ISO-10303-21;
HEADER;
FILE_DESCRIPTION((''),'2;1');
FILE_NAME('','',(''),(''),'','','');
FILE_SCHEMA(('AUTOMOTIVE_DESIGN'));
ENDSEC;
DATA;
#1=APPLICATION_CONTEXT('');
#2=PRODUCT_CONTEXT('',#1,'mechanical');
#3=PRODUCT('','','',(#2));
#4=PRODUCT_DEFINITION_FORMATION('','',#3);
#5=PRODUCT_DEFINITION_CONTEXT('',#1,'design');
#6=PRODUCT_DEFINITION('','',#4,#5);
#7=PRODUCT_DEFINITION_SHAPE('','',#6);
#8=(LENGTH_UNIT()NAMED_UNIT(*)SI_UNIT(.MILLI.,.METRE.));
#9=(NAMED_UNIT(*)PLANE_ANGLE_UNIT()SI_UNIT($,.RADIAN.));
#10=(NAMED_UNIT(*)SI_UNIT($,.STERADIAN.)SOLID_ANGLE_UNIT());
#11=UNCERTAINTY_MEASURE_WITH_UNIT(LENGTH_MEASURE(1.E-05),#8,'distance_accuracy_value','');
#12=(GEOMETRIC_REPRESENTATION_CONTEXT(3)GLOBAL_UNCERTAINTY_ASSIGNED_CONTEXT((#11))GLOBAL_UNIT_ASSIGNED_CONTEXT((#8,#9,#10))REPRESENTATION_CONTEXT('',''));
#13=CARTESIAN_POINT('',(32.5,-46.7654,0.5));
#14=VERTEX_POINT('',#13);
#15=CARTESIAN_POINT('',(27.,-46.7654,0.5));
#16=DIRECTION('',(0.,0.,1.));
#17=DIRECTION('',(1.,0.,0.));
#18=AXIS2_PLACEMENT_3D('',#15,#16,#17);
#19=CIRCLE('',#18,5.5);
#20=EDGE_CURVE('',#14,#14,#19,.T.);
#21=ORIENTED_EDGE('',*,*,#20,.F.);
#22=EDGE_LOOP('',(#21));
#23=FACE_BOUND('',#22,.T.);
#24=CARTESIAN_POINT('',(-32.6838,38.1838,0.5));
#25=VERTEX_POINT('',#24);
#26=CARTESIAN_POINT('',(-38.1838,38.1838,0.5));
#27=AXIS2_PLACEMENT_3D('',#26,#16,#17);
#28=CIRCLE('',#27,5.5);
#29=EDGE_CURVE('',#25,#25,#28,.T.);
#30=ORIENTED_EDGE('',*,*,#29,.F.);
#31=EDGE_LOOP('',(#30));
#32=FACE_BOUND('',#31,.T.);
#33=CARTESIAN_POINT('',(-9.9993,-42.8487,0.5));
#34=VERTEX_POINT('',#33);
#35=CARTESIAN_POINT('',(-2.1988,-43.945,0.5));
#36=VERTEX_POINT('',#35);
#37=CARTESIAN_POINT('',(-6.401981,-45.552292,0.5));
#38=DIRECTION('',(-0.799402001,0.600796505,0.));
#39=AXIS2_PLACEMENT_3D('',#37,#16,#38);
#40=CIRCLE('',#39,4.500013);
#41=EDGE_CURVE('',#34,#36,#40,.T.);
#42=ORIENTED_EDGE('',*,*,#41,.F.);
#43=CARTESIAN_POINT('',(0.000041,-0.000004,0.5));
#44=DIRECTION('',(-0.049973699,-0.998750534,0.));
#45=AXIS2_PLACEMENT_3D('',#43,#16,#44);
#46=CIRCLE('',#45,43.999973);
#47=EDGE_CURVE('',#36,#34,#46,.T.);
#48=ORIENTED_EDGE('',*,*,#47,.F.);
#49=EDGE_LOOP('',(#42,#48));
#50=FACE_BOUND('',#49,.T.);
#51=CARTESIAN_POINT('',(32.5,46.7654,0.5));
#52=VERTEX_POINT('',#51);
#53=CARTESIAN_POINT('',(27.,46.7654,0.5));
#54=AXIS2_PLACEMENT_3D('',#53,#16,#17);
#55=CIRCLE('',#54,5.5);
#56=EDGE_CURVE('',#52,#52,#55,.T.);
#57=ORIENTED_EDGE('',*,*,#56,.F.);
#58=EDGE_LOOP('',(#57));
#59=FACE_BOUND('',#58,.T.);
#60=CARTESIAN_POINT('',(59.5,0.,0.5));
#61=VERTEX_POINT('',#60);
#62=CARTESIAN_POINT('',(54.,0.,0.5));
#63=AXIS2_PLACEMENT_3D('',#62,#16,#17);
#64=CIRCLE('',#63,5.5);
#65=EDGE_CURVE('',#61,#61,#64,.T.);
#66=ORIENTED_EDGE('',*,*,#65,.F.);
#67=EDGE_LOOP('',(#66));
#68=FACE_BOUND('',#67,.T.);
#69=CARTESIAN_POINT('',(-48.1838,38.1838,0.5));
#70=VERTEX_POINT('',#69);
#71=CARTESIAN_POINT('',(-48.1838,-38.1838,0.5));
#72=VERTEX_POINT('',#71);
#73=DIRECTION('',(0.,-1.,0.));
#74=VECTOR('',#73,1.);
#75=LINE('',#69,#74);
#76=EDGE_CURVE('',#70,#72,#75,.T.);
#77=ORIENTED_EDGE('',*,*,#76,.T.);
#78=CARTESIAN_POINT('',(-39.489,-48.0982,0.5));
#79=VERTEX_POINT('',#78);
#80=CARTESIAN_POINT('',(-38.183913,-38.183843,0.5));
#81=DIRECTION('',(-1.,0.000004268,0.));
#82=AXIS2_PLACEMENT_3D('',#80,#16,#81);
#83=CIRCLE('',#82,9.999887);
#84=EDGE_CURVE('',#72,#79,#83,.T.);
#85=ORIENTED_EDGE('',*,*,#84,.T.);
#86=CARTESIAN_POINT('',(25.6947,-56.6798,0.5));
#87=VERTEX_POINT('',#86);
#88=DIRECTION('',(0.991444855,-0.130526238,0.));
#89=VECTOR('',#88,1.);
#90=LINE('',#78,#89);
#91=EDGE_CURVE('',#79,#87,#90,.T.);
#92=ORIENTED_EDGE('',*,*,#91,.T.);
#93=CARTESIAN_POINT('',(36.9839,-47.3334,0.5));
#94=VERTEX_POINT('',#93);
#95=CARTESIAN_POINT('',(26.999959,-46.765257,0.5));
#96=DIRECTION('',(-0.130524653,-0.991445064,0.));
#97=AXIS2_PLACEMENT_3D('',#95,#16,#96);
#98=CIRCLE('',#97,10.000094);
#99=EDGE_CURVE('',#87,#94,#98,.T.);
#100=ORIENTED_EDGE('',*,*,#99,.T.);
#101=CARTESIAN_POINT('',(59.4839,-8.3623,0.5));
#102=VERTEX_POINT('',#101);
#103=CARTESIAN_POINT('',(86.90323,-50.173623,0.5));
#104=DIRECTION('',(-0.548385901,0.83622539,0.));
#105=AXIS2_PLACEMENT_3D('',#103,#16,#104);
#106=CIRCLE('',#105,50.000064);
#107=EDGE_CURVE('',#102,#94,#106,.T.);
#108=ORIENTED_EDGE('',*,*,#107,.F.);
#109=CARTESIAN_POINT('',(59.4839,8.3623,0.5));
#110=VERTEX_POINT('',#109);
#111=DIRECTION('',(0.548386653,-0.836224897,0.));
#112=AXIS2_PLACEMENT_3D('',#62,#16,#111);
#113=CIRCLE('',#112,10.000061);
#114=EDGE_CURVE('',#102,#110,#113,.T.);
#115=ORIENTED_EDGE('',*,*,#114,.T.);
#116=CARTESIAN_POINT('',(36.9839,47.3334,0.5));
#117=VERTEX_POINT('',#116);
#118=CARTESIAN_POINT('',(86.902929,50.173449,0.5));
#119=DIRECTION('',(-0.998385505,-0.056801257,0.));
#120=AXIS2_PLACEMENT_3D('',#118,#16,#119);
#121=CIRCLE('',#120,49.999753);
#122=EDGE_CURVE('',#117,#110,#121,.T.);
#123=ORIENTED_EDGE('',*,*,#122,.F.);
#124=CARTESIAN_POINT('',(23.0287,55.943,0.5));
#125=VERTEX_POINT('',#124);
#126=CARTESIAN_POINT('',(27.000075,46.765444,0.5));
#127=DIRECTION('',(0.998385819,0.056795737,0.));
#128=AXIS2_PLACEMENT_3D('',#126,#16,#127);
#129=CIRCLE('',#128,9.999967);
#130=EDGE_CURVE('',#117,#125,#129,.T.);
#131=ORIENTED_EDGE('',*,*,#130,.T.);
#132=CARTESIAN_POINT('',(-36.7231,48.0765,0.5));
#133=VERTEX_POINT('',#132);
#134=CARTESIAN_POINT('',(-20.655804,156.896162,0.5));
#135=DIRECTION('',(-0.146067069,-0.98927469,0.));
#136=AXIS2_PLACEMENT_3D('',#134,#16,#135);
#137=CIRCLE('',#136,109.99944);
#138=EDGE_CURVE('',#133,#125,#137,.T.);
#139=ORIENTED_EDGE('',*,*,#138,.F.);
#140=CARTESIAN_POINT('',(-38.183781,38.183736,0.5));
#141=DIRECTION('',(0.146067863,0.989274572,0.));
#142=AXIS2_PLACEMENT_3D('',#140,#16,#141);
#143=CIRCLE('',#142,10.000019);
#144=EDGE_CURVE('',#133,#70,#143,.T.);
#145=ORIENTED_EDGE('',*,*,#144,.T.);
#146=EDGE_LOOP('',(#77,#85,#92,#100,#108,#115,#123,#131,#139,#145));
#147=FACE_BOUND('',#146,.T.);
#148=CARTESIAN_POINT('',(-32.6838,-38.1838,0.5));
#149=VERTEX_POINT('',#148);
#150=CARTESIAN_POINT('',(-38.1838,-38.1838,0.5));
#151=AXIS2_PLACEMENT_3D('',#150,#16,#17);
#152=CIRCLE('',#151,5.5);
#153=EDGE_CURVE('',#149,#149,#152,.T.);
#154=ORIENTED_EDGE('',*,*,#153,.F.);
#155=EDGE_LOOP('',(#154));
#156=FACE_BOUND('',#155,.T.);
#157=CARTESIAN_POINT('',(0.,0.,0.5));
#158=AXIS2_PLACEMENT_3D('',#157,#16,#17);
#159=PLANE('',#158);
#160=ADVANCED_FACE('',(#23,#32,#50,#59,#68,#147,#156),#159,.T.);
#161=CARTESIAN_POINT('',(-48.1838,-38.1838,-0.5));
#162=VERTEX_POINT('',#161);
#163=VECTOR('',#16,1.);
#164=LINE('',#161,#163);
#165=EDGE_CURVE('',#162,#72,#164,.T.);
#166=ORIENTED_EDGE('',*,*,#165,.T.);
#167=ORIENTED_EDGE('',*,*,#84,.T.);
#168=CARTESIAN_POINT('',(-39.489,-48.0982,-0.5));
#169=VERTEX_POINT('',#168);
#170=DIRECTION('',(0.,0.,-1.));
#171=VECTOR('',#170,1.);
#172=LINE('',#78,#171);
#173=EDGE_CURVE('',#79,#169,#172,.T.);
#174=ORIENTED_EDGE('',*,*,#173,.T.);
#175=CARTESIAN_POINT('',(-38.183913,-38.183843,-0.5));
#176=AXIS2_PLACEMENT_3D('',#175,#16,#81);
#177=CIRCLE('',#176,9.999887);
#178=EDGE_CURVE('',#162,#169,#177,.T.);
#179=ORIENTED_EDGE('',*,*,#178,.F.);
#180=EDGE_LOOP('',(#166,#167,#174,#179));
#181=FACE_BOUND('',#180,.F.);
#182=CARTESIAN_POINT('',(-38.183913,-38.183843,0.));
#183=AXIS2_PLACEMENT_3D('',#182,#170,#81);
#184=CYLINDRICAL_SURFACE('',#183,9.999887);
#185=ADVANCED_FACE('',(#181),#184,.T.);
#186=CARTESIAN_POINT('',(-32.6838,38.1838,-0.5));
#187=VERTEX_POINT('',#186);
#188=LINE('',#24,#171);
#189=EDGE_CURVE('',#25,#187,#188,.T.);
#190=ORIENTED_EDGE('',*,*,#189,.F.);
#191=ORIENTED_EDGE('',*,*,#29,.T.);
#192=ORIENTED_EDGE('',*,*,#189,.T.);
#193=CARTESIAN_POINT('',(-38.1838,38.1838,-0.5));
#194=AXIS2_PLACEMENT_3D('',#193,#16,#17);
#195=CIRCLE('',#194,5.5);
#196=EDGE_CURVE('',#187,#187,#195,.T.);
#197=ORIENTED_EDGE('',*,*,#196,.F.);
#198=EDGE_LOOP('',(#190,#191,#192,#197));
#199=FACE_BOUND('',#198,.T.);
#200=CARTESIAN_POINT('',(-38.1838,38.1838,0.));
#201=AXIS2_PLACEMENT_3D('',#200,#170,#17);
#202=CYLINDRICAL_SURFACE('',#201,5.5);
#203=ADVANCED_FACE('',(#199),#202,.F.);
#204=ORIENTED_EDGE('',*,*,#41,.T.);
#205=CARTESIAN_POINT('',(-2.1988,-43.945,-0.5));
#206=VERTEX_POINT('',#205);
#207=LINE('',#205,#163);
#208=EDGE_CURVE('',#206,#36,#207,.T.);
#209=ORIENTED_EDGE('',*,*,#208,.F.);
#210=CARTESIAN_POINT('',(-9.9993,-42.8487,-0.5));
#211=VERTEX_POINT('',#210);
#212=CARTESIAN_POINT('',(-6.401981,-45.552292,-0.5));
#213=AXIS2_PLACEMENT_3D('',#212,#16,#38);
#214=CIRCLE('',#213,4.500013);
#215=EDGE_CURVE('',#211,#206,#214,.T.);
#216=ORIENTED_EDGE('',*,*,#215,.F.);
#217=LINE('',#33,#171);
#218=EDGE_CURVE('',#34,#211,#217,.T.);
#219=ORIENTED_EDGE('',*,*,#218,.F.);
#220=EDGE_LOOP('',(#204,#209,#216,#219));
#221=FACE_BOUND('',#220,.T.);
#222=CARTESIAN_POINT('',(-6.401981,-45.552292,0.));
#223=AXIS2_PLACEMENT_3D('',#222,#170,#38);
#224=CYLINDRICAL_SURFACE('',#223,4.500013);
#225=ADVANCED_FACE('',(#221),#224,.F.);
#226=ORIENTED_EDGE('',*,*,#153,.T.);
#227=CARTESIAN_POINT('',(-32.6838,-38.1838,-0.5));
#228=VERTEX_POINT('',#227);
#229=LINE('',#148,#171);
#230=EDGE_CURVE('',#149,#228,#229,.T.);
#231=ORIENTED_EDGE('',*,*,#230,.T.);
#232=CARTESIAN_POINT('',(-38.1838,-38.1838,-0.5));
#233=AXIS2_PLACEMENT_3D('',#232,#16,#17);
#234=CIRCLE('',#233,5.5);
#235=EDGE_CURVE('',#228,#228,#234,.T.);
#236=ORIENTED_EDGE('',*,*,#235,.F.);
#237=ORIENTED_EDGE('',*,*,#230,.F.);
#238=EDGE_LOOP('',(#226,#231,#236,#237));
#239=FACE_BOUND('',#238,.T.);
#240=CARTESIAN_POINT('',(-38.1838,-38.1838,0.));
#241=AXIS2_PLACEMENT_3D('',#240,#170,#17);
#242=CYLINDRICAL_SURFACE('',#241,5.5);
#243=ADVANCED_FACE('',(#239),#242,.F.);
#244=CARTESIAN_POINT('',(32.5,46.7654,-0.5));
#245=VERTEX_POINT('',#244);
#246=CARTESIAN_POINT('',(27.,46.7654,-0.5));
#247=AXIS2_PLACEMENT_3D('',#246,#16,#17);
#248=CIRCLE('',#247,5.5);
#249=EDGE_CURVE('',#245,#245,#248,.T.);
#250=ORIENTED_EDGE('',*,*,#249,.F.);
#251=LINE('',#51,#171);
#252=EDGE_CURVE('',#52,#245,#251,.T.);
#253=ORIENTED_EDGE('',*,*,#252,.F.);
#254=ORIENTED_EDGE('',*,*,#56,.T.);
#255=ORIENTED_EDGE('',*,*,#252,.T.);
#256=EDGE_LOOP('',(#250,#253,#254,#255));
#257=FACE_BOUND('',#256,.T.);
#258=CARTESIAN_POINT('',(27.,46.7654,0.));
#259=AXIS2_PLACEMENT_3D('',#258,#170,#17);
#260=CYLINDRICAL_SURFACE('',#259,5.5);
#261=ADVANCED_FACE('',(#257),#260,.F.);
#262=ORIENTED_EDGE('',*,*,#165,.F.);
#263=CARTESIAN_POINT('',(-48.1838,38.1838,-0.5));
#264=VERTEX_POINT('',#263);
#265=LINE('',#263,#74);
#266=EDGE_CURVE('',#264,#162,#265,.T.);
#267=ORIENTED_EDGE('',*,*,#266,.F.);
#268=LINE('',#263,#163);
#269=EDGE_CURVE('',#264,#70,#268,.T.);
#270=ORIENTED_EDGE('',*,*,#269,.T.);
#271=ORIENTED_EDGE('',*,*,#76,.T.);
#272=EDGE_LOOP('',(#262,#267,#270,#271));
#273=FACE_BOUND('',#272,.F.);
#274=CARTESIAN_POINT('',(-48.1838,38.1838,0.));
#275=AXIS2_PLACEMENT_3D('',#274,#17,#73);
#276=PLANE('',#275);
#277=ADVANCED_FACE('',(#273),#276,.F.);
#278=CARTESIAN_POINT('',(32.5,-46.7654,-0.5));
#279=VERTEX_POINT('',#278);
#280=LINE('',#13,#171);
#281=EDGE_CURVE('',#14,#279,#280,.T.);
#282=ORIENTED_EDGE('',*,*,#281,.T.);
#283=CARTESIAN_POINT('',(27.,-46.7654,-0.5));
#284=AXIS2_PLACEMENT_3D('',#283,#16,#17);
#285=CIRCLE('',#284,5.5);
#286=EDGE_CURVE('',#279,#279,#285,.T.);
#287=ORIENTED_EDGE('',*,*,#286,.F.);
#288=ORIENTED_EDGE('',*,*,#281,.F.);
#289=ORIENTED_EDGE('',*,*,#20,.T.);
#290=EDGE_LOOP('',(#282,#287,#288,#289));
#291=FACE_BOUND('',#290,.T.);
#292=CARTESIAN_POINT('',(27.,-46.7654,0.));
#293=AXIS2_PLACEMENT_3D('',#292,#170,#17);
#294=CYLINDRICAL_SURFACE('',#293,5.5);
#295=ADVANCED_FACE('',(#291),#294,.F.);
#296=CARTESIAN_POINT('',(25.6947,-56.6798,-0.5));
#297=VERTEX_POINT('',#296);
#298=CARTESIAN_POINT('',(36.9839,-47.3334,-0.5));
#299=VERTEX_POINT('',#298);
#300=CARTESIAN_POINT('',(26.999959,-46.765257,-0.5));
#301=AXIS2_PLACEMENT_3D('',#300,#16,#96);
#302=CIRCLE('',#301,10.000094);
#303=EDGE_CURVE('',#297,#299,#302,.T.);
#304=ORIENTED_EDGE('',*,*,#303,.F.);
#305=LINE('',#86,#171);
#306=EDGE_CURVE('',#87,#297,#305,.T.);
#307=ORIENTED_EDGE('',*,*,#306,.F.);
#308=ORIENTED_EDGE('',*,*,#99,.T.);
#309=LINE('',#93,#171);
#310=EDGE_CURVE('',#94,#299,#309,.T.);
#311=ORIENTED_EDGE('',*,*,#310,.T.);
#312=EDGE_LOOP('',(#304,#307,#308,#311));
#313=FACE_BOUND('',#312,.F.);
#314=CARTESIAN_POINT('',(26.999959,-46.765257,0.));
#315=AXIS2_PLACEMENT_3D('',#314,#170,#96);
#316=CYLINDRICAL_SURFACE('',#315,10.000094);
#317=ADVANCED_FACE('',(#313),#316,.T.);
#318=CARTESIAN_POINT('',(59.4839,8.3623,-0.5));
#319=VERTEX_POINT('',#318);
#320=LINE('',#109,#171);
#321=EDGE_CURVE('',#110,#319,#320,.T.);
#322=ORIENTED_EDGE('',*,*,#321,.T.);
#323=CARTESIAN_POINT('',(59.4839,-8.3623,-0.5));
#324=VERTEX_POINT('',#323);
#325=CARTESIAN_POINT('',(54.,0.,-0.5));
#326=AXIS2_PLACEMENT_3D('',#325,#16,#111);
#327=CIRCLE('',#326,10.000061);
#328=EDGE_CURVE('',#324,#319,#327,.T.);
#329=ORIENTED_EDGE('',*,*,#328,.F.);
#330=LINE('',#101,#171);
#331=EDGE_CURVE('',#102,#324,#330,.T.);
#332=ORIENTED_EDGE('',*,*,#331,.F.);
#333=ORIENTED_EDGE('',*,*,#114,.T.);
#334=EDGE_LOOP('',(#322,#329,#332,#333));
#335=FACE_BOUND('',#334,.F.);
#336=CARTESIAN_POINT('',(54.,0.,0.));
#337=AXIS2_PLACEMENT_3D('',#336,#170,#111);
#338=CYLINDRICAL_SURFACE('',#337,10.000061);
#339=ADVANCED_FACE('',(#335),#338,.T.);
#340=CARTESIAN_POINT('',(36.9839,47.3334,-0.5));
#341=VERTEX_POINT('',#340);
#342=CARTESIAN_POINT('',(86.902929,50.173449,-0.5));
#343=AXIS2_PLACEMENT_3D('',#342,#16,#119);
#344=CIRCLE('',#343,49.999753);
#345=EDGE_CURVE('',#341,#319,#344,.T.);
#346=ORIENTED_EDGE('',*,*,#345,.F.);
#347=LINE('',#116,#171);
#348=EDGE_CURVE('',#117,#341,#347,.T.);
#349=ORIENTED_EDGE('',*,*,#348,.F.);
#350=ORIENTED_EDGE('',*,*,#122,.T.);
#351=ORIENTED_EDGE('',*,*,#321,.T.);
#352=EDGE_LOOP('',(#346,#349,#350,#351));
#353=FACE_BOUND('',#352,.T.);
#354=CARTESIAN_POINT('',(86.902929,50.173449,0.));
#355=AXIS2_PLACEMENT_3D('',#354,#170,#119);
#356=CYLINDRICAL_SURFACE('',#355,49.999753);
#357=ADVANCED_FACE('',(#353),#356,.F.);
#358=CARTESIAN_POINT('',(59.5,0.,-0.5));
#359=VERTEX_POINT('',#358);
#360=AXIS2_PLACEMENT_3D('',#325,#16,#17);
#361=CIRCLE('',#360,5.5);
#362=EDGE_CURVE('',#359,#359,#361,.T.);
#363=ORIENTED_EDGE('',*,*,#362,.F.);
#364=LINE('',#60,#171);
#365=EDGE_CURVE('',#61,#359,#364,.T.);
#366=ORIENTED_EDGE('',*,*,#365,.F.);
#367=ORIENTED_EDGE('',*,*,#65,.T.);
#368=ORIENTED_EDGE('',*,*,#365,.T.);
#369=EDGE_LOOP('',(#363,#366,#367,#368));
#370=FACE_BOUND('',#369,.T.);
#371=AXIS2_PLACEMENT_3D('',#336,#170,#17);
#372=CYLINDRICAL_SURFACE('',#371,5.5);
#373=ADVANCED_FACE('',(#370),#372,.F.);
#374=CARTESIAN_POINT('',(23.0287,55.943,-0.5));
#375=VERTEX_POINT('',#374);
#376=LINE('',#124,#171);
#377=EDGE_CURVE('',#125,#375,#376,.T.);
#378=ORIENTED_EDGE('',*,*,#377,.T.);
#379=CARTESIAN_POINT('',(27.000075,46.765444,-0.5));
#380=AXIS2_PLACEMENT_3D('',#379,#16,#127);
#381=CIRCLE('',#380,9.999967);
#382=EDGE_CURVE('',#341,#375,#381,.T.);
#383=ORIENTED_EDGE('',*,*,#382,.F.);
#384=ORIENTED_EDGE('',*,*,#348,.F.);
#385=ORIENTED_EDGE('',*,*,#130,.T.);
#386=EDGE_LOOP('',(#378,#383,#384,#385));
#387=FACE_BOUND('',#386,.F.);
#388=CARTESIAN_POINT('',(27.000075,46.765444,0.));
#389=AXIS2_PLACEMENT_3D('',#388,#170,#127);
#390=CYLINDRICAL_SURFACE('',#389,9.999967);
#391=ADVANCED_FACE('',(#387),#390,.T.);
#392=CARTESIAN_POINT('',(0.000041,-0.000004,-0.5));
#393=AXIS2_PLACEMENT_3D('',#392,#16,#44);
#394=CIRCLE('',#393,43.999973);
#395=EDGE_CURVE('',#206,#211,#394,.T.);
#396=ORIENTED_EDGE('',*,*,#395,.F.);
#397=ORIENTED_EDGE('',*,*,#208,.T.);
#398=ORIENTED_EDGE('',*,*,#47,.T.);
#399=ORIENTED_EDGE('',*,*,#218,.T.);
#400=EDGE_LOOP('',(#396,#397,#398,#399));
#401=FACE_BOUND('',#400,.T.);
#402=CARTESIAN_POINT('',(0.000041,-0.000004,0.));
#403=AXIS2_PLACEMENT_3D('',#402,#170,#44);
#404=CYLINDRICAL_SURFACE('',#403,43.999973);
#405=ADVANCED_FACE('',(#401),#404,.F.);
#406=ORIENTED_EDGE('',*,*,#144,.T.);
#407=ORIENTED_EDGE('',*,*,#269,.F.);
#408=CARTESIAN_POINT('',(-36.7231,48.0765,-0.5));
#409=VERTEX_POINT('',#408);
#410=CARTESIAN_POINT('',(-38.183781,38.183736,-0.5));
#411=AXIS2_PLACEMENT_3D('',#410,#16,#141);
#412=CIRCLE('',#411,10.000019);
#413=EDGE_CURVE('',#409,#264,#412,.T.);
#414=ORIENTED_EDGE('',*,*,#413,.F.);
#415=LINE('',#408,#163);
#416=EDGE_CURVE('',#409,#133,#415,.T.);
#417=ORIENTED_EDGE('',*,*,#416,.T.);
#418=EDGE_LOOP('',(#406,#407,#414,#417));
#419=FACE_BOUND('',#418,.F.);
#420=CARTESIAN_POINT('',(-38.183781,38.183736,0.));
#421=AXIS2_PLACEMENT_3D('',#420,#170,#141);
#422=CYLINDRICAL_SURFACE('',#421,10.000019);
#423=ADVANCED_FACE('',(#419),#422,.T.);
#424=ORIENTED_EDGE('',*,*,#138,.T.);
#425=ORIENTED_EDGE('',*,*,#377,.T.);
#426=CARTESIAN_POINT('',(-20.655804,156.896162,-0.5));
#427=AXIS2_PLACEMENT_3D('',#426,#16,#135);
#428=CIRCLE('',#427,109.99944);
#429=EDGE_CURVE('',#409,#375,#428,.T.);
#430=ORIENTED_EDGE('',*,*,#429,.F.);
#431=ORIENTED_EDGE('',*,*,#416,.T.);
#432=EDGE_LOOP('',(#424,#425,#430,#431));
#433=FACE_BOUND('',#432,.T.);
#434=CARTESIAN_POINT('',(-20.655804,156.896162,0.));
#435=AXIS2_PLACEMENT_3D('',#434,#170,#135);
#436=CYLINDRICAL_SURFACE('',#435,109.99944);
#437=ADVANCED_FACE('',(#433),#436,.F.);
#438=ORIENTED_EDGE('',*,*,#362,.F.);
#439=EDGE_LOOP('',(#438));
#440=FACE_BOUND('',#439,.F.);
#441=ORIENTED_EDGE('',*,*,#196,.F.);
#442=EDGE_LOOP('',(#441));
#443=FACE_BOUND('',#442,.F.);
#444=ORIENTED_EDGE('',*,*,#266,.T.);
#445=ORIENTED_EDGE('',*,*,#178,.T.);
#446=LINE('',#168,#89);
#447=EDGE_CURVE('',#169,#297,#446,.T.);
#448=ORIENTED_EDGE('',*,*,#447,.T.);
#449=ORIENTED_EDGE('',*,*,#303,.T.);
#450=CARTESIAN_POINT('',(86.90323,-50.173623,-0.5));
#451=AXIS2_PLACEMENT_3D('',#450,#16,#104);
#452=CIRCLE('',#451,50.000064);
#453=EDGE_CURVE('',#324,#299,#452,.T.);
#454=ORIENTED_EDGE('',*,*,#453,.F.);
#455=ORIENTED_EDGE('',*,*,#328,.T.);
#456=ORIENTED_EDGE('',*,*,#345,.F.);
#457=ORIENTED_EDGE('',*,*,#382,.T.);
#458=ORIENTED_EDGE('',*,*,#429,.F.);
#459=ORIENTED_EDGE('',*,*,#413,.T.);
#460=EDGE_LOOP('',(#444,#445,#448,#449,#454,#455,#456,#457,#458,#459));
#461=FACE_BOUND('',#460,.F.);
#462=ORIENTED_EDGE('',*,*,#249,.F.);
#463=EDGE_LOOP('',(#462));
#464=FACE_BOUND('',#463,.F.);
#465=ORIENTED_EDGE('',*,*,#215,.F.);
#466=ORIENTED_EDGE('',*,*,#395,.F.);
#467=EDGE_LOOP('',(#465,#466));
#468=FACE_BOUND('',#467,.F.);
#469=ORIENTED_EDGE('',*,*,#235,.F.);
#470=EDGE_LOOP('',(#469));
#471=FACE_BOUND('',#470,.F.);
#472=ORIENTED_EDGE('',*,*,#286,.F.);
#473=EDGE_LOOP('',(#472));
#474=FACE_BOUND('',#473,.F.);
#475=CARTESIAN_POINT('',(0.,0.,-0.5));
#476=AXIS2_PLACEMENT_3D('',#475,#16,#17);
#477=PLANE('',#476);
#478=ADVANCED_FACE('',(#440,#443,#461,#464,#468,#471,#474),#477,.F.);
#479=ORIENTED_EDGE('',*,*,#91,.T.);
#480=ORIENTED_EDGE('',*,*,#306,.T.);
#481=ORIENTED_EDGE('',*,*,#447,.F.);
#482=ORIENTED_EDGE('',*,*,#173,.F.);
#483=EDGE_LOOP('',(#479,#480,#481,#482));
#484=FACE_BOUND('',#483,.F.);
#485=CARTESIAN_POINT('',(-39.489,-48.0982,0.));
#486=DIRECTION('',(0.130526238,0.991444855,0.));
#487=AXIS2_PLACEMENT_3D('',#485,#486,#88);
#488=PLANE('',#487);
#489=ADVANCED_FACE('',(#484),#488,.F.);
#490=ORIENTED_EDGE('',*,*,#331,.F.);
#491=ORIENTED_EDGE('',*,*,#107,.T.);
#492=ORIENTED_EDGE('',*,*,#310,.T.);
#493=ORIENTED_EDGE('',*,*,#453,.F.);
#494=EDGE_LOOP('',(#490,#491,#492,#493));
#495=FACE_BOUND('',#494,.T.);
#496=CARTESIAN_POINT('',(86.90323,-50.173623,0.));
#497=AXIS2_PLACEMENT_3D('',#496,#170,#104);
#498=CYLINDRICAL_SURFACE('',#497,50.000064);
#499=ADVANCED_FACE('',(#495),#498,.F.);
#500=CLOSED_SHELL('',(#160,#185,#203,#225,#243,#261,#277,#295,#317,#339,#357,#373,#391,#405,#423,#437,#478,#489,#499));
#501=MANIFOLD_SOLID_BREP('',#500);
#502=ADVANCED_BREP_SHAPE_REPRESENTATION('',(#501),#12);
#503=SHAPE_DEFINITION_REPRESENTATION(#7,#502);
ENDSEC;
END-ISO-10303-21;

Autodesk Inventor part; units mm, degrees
ref_plane "YZ Plane" through (0, 0, 0) normal (1, 0, 0) x (0, 1, 0)
ref_plane "XZ Plane" through (0, 0, 0) normal (0, 1, 0) x (-1, 0, 0)
ref_plane "XY Plane" through (0, 0, 0) normal (0, 0, 1) x (1, 0, 0)
sketch "Эскиз1" plane through (0, 0, 0) normal (0, 0, 1) x (1, 0, 0)
  arc A0 (-2.1988, -43.945) -> (-9.9993, -42.8487) centre (0, 0) ccw
  arc A1 (-36.7231, 48.0765) -> (-48.1838, 38.1838) centre (-38.1838, 38.1838) ccw
  arc A2 (-36.7231, 48.0765) -> (23.0287, 55.943) centre (-20.6558, 156.8967) ccw
  arc A3 (36.9839, 47.3334) -> (23.0287, 55.943) centre (27, 46.7654) ccw
  arc A4 (36.9839, 47.3334) -> (59.4839, 8.3623) centre (86.9031, 50.1735) ccw
  arc A5 (59.4839, -8.3623) -> (59.4839, 8.3623) centre (54, 0) ccw
  arc A6 (59.4839, -8.3623) -> (36.9839, -47.3334) centre (86.9031, -50.1735) ccw
  arc A7 (25.6947, -56.6798) -> (36.9839, -47.3334) centre (27, -46.7654) ccw
  arc A8 (-48.1838, -38.1838) -> (-39.489, -48.0982) centre (-38.1838, -38.1838) ccw
  line L0 (-48.1838, 38.1838) -> (-48.1838, -38.1838)
  circle A9 centre (0, 0) radius 54 construction
  circle A10 centre (-38.1838, 38.1838) radius 5.5
  line L1 (0, 0) -> (-38.1838, 38.1838) construction
  line L2 (0, 0) -> (-54, 0) construction
  line L3 (0, 0) -> (27, 46.7654) construction
  line L4 (0, 0) -> (0, 54) construction
  circle A11 centre (27, 46.7654) radius 5.5
  circle A12 centre (54, 0) radius 5.5
  line L5 (0, 0) -> (-38.1838, -38.1838) construction
  line L6 (-39.489, -48.0982) -> (25.6947, -56.6798)
  line L7 (0, 0) -> (0, -54) construction
  line L8 (0, 0) -> (27, -46.7654) construction
  circle A13 centre (-38.1838, -38.1838) radius 5.5
  circle A14 centre (27, -46.7654) radius 5.5
  arc A15 (-46, 0) -> (0, -46) centre (0, 0) ccw construction
  line L9 (0, 0) -> (-6.402, -45.5523) construction
  arc A16 (-9.9993, -42.8487) -> (-2.1988, -43.945) centre (-6.402, -45.5523) ccw
  dimension "d4" = 108
  dimension "d0" = 88
  dimension "d1" = 10
  dimension "d2" = 110
  dimension "d3" = 50
  dimension "d5" = 11
  dimension "d6" = 45
  dimension "d7" = 30
  dimension "d8" = 90
  dimension "d9" = 30
  dimension "d10" = 46
  dimension "d11" = 8
  dimension "d12" = 4.5
extrude "Выдавливание1" add sketch "Эскиз1" along normal mid plane 1
properties part number "74. Прокладка задней крышки"
